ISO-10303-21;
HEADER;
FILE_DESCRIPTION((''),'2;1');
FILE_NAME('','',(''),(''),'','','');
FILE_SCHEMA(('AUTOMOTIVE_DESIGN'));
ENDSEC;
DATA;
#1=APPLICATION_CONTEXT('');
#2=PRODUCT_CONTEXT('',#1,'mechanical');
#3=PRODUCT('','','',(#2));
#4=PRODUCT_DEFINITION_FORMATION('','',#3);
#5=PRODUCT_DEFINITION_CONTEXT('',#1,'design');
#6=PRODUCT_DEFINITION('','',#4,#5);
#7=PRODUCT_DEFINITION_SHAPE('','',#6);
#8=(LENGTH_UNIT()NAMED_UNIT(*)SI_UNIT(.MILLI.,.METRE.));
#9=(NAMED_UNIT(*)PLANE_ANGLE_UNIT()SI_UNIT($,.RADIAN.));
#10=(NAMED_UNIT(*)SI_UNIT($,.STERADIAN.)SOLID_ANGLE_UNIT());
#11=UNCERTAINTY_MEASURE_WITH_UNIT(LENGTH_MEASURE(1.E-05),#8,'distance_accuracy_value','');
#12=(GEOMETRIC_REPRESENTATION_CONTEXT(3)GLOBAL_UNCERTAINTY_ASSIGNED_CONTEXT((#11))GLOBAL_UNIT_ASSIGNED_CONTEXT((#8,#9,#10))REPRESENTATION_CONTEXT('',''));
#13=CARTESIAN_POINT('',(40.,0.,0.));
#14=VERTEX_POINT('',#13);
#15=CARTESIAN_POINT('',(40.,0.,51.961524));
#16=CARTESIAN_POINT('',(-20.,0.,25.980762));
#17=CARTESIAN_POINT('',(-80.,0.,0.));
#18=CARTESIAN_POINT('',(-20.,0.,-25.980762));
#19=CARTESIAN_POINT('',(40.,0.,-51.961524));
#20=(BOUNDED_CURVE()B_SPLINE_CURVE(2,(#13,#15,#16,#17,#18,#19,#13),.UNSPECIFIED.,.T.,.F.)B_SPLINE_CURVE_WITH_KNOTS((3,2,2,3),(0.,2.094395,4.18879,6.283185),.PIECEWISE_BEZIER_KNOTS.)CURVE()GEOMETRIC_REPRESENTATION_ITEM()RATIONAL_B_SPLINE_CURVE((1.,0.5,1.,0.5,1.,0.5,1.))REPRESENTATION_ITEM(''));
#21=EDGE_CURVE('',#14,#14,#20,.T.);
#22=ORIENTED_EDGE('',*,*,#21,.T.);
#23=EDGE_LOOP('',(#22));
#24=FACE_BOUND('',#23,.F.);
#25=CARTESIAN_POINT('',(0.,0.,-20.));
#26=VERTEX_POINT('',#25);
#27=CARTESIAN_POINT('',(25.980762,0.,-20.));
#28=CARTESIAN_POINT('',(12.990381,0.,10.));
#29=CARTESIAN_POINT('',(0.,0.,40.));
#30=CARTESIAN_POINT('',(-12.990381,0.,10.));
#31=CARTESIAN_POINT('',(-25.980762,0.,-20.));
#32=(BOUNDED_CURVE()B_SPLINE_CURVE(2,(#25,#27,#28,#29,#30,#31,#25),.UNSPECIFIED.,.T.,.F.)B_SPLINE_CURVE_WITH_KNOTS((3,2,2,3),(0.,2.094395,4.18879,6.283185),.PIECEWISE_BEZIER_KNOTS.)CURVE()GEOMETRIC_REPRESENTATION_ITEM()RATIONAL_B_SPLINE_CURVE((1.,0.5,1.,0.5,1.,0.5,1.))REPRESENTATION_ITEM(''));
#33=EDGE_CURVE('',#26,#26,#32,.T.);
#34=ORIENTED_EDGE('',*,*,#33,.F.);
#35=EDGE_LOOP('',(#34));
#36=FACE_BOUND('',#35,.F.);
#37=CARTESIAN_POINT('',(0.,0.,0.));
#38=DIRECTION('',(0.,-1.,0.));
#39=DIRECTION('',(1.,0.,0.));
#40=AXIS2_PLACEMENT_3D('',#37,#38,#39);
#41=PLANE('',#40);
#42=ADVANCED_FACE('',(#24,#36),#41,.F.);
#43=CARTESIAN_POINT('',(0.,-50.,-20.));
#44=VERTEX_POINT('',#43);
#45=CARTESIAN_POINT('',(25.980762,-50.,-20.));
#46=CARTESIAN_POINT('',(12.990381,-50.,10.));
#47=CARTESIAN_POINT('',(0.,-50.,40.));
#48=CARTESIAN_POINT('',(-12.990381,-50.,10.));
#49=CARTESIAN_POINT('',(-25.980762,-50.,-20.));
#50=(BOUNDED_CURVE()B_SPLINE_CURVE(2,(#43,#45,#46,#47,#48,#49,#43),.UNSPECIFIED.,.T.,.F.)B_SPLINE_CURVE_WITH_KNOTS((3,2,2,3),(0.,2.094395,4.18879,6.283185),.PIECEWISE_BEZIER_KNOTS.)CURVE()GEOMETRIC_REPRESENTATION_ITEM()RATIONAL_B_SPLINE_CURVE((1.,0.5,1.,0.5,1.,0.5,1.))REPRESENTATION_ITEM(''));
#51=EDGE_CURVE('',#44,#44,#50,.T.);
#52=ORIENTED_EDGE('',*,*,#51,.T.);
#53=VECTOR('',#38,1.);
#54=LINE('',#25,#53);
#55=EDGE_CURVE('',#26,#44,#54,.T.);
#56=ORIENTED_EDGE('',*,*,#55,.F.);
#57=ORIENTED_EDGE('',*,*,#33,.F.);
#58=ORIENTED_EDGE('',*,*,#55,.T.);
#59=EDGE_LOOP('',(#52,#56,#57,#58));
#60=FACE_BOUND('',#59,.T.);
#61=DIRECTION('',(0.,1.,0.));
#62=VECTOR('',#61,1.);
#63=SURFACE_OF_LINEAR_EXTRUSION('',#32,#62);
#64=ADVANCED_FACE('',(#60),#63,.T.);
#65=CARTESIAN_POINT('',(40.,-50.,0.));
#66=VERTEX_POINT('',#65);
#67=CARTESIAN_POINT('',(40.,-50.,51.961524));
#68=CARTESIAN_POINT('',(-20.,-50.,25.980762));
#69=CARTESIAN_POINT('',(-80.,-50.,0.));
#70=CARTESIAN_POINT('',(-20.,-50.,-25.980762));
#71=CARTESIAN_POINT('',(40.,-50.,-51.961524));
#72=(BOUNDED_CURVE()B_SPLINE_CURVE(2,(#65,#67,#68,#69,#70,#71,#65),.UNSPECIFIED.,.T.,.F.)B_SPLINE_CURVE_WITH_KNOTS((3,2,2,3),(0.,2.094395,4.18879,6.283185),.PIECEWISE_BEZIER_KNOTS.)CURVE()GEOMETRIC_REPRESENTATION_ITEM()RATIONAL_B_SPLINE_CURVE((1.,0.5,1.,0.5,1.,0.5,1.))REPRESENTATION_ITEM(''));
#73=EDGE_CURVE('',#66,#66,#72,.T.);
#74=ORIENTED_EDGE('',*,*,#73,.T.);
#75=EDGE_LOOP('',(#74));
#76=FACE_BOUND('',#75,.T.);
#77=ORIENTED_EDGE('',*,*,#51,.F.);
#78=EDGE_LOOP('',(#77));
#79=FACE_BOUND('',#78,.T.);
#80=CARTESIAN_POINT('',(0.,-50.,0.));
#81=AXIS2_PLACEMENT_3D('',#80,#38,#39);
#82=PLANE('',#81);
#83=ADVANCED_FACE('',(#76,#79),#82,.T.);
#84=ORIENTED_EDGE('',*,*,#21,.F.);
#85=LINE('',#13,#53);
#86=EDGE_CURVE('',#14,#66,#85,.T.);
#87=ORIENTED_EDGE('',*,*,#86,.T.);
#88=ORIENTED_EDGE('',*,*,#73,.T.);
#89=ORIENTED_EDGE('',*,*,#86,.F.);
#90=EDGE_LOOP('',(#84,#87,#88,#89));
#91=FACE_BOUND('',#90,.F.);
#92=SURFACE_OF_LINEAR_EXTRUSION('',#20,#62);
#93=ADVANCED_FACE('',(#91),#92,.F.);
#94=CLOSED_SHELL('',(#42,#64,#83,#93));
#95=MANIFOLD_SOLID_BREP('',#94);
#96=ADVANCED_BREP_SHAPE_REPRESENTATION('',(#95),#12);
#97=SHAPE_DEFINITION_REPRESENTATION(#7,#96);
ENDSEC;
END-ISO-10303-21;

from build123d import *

# Parameters (mm, degrees)
F1_DEPTH = 50


with BuildPart() as f1:
    # F0 (on Front) → F1 (new body)
    with BuildSketch(Plane.XZ):
        with BuildLine():
            add(Edge.make_bspline(
                [(40, 0), (40, 51.961524), (-20, 25.980762), (-80, 0), (-20, -25.980762), (40, -51.961524), (40, 0)],
                knots=[0, 0, 0, 2.094395, 2.094395, 4.18879, 4.18879, 6.283185, 6.283185, 6.283185], degree=2, weights=[1, 0.5, 1, 0.5, 1, 0.5, 1]))
        make_face()
        with BuildLine():
            add(Edge.make_bspline(
                [(0, -20), (25.980762, -20), (12.990381, 10), (0, 40), (-12.990381, 10), (-25.980762, -20), (0, -20)],
                knots=[0, 0, 0, 2.094395, 2.094395, 4.18879, 4.18879, 6.283185, 6.283185, 6.283185], degree=2, weights=[1, 0.5, 1, 0.5, 1, 0.5, 1]))
        make_face(mode=Mode.SUBTRACT)
    extrude(amount=F1_DEPTH)


solid = f1.part
